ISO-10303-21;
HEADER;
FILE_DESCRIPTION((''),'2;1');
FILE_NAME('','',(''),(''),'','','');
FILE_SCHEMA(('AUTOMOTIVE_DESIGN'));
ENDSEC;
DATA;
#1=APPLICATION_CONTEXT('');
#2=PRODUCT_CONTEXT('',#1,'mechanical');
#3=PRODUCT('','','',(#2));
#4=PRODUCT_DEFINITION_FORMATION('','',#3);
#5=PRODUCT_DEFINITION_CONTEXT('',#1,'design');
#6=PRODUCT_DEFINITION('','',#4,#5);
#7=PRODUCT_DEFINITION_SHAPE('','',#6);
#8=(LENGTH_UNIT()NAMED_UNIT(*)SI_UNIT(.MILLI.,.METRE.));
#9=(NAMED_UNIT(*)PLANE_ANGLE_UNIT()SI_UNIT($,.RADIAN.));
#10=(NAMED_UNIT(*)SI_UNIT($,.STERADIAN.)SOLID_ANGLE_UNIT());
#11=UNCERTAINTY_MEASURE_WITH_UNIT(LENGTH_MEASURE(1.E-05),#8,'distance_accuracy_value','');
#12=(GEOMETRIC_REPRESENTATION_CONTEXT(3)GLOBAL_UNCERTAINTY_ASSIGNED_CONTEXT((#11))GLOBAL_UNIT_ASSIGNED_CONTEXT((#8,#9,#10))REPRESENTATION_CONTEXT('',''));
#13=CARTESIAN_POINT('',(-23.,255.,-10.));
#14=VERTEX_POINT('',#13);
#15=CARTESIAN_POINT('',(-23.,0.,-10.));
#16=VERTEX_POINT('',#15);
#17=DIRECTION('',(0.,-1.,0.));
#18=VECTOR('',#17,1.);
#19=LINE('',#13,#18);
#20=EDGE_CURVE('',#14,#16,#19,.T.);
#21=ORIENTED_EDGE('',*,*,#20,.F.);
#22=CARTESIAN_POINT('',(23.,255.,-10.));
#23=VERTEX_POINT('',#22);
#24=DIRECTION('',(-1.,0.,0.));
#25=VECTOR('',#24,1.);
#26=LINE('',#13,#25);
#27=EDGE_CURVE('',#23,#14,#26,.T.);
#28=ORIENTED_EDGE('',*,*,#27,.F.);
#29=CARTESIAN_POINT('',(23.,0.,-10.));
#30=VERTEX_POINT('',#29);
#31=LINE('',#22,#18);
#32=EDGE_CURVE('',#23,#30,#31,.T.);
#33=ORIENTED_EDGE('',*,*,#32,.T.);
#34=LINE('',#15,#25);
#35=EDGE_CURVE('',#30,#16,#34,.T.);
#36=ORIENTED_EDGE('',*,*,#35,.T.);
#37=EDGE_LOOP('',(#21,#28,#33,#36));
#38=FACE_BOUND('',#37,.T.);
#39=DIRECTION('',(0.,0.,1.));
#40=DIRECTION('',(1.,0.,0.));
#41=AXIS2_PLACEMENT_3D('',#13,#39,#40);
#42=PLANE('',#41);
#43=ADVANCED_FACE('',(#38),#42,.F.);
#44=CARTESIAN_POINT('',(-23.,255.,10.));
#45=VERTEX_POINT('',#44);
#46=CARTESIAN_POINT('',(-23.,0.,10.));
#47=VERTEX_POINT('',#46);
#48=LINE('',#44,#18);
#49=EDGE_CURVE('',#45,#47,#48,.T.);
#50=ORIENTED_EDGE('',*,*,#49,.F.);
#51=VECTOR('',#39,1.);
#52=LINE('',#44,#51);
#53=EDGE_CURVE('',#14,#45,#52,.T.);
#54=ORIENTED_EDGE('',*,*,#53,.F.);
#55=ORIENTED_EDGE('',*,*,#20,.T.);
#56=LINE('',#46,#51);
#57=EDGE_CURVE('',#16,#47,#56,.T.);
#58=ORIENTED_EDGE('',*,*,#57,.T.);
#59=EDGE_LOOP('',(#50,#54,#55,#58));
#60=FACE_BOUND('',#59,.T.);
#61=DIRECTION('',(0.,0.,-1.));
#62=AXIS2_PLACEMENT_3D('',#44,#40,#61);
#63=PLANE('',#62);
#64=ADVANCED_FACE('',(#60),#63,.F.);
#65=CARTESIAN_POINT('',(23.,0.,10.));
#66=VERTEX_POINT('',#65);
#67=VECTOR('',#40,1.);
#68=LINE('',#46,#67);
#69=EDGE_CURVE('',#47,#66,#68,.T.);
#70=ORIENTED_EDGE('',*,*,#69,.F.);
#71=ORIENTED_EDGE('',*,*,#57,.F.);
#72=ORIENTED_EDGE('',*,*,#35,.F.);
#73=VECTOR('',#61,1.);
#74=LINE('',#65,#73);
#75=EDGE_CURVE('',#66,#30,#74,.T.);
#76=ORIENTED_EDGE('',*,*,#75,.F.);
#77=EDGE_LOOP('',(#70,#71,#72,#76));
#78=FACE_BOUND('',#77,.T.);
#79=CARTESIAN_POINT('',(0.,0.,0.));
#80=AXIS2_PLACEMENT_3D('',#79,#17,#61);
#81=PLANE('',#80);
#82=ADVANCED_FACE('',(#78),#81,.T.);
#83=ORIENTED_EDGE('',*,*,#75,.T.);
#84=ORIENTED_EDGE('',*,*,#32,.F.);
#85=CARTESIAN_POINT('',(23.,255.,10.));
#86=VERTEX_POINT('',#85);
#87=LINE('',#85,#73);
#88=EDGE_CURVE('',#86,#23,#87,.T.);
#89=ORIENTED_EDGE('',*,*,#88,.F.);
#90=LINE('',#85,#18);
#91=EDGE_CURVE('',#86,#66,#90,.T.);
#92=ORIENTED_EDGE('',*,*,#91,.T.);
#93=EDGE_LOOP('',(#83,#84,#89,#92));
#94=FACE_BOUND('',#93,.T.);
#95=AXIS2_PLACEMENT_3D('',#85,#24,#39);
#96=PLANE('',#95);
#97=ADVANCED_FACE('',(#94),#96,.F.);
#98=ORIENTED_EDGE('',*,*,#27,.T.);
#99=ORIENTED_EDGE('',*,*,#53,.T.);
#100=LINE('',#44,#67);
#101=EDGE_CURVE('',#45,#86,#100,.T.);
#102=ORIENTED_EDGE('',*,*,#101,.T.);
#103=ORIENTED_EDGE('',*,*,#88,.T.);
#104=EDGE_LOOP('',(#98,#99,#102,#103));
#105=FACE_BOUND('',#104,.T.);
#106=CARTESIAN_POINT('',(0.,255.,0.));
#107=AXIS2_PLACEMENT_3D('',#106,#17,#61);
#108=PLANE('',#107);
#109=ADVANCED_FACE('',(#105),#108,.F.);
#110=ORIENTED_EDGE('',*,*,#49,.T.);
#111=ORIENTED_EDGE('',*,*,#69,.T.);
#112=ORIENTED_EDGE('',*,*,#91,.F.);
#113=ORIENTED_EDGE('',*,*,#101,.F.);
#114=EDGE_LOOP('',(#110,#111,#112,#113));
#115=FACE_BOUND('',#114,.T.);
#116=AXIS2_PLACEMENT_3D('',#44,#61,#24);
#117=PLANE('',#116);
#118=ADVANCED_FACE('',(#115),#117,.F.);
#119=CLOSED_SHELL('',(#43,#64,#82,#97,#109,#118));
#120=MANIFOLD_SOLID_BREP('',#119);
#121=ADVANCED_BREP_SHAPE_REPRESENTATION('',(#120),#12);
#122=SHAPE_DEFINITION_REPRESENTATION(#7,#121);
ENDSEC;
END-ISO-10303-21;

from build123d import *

# Parameters (mm, degrees)
SKETCH1_W           = 46
SKETCH1_H           = 20
BOSS_EXTRUDE1_DEPTH = 255


with BuildPart() as part:
    # Sketch1 → Boss-Extrude1 (new body)
    with BuildSketch(Plane(origin=(0, 0, 0), x_dir=(1, 0, 0), z_dir=(0, 1, 0))):
        Rectangle(SKETCH1_W, SKETCH1_H)
    extrude(amount=BOSS_EXTRUDE1_DEPTH)


solid = part.part
